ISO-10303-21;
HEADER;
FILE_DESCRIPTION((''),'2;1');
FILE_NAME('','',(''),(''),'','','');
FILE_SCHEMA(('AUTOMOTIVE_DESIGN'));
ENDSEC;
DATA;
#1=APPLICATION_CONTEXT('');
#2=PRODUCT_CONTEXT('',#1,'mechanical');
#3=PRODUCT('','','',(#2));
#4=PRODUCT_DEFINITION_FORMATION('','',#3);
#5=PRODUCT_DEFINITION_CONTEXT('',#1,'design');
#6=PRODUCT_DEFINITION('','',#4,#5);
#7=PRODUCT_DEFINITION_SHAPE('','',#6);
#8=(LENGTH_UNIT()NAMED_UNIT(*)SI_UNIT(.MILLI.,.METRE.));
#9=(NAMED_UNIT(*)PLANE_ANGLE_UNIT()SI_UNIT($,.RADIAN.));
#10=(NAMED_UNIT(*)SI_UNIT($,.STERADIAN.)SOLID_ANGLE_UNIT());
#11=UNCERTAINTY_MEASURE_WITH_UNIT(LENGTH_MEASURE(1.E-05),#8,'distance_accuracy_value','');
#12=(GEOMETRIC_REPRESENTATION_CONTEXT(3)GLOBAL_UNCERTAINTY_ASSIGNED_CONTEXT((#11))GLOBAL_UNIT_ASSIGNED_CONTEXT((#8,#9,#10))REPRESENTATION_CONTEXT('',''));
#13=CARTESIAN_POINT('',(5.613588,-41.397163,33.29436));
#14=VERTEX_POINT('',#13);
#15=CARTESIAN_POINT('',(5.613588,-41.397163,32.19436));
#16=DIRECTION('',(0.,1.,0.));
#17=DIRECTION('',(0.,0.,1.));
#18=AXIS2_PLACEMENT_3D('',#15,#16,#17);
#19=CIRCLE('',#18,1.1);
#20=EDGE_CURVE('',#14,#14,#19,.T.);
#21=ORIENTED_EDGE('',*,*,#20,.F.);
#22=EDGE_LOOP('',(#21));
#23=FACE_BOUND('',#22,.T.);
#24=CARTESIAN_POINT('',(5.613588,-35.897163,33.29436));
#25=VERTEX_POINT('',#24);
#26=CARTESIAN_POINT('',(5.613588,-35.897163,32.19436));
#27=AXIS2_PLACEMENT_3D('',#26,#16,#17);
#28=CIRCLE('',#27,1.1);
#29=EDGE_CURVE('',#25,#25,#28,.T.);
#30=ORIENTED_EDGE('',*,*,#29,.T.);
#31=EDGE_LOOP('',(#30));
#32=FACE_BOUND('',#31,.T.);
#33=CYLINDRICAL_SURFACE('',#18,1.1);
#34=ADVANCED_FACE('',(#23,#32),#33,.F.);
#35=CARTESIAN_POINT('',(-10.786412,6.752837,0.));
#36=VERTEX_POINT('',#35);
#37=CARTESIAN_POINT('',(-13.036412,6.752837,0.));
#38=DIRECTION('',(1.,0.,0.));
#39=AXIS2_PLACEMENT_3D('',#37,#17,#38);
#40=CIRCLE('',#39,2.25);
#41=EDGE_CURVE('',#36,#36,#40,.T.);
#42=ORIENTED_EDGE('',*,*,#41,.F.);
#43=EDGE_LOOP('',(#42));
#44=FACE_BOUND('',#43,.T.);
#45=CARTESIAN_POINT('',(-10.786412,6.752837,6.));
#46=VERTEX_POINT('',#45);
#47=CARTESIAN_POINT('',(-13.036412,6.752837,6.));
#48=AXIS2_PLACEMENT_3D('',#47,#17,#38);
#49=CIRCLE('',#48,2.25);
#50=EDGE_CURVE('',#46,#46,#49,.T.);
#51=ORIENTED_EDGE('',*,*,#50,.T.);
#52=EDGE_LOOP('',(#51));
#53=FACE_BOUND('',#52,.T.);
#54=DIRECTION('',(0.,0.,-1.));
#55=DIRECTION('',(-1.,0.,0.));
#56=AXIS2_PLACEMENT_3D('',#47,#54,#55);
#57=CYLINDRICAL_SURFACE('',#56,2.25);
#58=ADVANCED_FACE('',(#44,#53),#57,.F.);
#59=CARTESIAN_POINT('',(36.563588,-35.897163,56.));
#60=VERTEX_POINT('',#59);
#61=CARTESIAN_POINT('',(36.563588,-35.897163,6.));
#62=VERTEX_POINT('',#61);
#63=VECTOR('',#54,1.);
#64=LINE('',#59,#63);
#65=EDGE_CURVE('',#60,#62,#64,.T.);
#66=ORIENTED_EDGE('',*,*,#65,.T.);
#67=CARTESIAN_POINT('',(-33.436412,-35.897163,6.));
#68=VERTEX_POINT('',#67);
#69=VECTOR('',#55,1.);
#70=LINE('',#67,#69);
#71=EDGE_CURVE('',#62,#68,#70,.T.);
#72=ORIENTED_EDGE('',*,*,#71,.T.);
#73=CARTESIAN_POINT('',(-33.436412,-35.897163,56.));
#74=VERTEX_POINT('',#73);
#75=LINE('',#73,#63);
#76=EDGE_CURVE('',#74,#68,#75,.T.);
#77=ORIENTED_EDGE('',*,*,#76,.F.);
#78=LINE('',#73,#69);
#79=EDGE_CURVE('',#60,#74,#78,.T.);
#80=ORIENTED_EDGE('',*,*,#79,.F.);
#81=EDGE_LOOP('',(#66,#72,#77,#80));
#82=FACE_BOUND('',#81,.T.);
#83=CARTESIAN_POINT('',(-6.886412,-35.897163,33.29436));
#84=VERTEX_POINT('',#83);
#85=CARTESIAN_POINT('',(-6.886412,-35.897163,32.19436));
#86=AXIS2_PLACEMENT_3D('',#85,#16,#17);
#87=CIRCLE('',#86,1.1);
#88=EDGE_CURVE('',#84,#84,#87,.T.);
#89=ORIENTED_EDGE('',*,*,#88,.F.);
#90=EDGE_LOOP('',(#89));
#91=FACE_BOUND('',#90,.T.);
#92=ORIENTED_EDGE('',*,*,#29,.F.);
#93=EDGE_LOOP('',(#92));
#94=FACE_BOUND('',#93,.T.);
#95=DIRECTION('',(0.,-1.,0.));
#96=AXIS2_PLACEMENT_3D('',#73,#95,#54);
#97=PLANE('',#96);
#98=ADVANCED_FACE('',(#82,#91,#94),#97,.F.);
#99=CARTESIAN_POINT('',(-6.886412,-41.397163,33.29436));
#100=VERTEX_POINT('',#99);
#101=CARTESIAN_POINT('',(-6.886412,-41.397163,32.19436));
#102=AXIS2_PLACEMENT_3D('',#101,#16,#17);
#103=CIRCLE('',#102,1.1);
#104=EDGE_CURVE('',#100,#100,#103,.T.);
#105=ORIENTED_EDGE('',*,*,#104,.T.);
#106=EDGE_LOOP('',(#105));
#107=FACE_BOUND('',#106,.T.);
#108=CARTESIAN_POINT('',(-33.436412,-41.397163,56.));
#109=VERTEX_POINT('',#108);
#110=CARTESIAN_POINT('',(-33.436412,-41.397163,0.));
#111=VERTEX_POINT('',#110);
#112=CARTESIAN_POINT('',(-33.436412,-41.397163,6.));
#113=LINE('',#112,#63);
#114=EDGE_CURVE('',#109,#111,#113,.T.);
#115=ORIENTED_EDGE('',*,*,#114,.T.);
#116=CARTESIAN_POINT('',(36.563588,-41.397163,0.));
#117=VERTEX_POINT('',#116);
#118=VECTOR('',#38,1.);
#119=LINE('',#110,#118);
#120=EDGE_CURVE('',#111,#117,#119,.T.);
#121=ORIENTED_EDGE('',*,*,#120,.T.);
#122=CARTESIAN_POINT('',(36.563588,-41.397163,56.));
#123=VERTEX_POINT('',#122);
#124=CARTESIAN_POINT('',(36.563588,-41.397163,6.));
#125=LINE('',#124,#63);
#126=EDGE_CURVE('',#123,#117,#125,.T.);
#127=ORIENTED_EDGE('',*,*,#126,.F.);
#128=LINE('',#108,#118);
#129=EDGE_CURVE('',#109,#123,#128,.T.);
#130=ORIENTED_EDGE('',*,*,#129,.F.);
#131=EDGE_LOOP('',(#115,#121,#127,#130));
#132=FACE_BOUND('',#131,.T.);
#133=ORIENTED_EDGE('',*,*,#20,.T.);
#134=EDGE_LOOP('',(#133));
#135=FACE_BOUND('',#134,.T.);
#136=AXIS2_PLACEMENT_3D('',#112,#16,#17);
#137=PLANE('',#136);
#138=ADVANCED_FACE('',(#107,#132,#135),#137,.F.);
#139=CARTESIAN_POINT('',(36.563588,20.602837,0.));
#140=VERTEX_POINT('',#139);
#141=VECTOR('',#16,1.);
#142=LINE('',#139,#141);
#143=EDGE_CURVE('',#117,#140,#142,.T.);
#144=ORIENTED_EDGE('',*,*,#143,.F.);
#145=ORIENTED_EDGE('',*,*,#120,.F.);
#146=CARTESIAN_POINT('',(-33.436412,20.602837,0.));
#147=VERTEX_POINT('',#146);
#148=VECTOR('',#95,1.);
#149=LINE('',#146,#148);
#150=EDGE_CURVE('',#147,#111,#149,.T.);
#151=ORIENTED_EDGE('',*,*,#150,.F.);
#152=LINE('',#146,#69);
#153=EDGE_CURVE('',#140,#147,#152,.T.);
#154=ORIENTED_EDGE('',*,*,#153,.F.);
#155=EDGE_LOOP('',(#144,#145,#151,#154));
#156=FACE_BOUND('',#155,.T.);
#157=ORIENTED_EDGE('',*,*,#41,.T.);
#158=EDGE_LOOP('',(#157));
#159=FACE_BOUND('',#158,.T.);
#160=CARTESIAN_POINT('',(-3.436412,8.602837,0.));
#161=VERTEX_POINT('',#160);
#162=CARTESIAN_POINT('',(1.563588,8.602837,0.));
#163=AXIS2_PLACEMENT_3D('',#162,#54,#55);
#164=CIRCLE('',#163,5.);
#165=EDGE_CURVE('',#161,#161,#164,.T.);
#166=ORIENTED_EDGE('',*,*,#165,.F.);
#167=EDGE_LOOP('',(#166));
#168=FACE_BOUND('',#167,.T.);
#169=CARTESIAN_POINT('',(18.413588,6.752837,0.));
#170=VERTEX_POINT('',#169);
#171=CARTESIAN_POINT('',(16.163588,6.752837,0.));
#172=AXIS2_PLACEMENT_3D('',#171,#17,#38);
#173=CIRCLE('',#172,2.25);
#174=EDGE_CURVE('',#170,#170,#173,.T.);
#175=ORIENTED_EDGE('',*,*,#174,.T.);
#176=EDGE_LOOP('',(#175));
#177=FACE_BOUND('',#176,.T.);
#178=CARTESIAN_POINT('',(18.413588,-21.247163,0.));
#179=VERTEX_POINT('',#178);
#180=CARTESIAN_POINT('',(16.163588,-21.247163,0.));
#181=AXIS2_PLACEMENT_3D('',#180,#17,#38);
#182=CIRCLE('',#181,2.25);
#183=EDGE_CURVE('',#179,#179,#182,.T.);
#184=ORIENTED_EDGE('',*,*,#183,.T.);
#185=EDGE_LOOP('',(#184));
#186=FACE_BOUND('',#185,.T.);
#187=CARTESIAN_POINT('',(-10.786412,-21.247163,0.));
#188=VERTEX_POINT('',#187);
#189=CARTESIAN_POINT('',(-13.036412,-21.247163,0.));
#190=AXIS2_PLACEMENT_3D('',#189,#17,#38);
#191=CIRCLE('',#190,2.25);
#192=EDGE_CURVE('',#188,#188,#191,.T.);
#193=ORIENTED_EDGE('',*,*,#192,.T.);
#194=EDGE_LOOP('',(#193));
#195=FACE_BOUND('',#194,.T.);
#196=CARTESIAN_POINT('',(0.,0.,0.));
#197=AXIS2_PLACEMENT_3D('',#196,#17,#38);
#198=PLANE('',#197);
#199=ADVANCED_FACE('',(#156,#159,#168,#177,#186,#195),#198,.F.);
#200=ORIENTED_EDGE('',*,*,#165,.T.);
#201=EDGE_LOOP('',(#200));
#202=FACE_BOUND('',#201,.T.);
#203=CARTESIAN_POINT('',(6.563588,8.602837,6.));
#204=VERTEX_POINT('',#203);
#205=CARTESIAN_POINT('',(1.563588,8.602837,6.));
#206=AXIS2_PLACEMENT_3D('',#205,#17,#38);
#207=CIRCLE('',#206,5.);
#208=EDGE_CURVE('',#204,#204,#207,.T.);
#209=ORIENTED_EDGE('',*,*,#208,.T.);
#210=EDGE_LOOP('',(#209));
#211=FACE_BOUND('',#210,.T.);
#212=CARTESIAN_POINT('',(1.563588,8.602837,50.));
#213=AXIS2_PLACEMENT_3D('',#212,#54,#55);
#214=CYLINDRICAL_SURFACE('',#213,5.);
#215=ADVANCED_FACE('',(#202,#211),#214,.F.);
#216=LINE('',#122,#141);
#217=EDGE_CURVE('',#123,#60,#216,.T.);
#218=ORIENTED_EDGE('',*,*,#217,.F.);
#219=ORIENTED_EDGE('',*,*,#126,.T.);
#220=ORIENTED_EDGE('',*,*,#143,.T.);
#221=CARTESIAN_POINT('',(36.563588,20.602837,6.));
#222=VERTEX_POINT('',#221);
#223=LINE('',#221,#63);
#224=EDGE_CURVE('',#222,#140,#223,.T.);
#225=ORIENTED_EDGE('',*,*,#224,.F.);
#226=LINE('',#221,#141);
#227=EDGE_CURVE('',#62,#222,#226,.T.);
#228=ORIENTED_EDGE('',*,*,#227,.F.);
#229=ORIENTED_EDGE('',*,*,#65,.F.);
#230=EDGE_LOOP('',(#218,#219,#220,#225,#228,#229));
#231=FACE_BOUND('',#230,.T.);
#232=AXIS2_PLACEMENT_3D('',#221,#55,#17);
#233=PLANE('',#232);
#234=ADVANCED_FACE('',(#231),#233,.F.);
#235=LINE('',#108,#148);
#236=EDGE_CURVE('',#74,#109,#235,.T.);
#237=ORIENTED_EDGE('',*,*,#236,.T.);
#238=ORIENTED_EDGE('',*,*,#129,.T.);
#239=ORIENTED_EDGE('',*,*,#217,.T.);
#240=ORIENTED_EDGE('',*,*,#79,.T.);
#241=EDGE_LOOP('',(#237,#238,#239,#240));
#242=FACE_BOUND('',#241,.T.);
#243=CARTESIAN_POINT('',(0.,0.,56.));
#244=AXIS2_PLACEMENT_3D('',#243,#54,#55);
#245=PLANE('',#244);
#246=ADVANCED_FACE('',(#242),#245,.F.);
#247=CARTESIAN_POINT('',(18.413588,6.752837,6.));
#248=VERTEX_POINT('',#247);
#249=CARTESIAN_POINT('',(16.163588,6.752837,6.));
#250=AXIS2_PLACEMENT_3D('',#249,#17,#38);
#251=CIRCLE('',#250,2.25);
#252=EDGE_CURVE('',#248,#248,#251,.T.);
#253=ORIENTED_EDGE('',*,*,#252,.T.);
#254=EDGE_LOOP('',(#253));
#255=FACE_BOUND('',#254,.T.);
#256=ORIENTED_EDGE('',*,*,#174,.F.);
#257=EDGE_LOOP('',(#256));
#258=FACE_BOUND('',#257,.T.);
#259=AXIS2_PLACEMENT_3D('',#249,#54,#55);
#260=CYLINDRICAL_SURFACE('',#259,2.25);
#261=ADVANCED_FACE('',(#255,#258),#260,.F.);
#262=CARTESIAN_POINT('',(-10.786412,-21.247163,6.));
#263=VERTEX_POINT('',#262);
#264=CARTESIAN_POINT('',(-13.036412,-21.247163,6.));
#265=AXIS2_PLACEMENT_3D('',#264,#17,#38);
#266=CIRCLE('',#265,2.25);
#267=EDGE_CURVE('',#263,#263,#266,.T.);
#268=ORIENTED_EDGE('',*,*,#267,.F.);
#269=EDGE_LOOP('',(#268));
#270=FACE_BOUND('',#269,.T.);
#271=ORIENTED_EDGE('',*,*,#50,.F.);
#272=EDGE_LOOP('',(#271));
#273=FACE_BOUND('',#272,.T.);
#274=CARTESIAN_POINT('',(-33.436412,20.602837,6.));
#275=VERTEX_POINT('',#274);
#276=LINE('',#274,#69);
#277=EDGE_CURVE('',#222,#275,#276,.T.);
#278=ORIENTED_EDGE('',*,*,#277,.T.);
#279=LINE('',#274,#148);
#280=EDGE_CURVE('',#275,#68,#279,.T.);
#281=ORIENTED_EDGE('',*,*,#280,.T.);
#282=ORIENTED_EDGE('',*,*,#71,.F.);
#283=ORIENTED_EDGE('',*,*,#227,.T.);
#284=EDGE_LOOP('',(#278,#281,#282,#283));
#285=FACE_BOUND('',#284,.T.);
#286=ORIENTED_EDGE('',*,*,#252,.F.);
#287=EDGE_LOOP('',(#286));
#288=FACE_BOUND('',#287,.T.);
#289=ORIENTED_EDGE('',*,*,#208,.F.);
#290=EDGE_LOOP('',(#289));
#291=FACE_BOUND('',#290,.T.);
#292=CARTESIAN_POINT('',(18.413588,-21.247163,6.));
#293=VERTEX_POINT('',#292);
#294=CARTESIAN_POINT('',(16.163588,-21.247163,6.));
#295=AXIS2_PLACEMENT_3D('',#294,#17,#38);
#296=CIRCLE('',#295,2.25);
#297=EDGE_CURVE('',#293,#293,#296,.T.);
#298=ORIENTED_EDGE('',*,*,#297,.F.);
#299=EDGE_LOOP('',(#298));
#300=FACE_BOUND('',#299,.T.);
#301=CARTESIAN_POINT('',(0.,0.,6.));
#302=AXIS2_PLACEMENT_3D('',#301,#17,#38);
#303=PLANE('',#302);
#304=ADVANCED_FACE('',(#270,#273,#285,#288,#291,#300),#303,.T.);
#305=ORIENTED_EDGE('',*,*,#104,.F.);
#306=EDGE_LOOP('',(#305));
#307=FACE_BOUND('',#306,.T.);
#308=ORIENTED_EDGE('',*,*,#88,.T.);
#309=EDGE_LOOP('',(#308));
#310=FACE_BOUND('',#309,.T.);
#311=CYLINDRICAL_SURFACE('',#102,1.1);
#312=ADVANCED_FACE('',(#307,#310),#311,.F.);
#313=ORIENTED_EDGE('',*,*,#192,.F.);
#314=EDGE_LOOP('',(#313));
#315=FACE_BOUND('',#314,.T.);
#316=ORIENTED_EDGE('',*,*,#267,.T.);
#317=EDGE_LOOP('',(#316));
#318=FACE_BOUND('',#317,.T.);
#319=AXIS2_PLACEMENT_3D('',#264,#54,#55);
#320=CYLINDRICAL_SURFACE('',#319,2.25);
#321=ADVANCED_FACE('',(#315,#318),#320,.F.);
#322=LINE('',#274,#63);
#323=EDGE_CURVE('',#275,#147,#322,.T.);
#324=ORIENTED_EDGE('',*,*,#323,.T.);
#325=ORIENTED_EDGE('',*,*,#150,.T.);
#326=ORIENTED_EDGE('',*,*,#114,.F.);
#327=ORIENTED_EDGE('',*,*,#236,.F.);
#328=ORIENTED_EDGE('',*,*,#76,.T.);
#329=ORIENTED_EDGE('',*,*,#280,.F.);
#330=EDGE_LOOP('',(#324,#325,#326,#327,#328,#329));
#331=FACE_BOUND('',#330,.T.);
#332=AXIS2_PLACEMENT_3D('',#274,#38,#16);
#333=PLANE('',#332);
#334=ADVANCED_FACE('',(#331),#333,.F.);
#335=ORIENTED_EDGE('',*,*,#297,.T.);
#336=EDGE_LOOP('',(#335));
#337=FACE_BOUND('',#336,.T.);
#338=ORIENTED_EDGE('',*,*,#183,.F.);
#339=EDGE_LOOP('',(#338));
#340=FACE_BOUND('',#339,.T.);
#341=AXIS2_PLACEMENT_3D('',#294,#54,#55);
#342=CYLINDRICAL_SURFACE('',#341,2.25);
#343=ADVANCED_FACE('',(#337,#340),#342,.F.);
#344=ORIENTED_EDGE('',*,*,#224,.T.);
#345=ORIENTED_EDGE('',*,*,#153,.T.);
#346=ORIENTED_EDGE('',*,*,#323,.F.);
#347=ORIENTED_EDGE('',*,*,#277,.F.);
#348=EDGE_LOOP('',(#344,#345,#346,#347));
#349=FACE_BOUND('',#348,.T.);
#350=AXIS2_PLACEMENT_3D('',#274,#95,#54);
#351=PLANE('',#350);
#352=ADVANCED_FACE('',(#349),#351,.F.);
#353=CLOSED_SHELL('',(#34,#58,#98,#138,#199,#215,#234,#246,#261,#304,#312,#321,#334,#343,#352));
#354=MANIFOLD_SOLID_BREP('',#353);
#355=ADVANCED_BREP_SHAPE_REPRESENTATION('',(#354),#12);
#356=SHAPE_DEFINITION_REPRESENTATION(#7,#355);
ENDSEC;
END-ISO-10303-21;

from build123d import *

# Parameters (mm, degrees)
ESQUISSE1_W             = 70
ESQUISSE1_H             = 62
ESQUISSE1_R             = 2.25
BOSS_EXTRU_3_DEPTH      = 6
ESQUISSE3_W             = 70
ESQUISSE3_H             = 5.5
BOSS_EXTRU_4_DEPTH      = 50
ESQUISSE4_R             = 1.1
ENL_V_MAT_EXTRU_1_DEPTH = 88.550819181
ESQUISSE5_R             = 5
ENL_V_MAT_EXTRU_2_DEPTH = 50


with BuildPart() as part:
    # Esquisse1 → Boss.-Extru.3 (new body)
    with BuildSketch(Plane.XY):
        with Locations((1.563587615, -10.397163121)):
            Rectangle(ESQUISSE1_W, ESQUISSE1_H)
        with Locations((-13.036412385, 6.752836879)):
            Circle(ESQUISSE1_R, mode=Mode.SUBTRACT)
        with Locations((16.163587615, 6.752836879)):
            Circle(ESQUISSE1_R, mode=Mode.SUBTRACT)
        with Locations((-13.036412385, -21.247163121)):
            Circle(ESQUISSE1_R, mode=Mode.SUBTRACT)
        with Locations((16.163587615, -21.247163121)):
            Circle(ESQUISSE1_R, mode=Mode.SUBTRACT)
    extrude(amount=BOSS_EXTRU_3_DEPTH)

    # Esquisse3 → Boss.-Extru.4 (add)
    with BuildSketch(Plane.XY.offset(6)):
        with Locations((1.563587615, -38.647163121)):
            Rectangle(ESQUISSE3_W, ESQUISSE3_H)
    extrude(amount=BOSS_EXTRU_4_DEPTH)

    # Esquisse4 → Enlèv. mat.-Extru.1 (cut, through all)
    with BuildSketch(Plane(origin=(0, -35.897163121, 0), x_dir=(1, 0, 0), z_dir=(0, 1, 0))):
        with Locations(Location((-6.886412385, -32.194360359, 0), (0, 0, 270))):
            Circle(ESQUISSE4_R)
        with Locations(Location((5.613587615, -32.194360359, 0), (0, 0, 270))):
            Circle(ESQUISSE4_R)
    extrude(amount=-ENL_V_MAT_EXTRU_1_DEPTH, mode=Mode.SUBTRACT)

    # Esquisse5 → Enlèv. mat.-Extru.2 (cut)
    with BuildSketch(Plane(origin=(0, 0, 0), x_dir=(-1, 0, 0), z_dir=(0, 0, -1))):
        with Locations((-1.563587615, 8.602836879)):
            Circle(ESQUISSE5_R)
    extrude(amount=-ENL_V_MAT_EXTRU_2_DEPTH, mode=Mode.SUBTRACT)


solid = part.part
